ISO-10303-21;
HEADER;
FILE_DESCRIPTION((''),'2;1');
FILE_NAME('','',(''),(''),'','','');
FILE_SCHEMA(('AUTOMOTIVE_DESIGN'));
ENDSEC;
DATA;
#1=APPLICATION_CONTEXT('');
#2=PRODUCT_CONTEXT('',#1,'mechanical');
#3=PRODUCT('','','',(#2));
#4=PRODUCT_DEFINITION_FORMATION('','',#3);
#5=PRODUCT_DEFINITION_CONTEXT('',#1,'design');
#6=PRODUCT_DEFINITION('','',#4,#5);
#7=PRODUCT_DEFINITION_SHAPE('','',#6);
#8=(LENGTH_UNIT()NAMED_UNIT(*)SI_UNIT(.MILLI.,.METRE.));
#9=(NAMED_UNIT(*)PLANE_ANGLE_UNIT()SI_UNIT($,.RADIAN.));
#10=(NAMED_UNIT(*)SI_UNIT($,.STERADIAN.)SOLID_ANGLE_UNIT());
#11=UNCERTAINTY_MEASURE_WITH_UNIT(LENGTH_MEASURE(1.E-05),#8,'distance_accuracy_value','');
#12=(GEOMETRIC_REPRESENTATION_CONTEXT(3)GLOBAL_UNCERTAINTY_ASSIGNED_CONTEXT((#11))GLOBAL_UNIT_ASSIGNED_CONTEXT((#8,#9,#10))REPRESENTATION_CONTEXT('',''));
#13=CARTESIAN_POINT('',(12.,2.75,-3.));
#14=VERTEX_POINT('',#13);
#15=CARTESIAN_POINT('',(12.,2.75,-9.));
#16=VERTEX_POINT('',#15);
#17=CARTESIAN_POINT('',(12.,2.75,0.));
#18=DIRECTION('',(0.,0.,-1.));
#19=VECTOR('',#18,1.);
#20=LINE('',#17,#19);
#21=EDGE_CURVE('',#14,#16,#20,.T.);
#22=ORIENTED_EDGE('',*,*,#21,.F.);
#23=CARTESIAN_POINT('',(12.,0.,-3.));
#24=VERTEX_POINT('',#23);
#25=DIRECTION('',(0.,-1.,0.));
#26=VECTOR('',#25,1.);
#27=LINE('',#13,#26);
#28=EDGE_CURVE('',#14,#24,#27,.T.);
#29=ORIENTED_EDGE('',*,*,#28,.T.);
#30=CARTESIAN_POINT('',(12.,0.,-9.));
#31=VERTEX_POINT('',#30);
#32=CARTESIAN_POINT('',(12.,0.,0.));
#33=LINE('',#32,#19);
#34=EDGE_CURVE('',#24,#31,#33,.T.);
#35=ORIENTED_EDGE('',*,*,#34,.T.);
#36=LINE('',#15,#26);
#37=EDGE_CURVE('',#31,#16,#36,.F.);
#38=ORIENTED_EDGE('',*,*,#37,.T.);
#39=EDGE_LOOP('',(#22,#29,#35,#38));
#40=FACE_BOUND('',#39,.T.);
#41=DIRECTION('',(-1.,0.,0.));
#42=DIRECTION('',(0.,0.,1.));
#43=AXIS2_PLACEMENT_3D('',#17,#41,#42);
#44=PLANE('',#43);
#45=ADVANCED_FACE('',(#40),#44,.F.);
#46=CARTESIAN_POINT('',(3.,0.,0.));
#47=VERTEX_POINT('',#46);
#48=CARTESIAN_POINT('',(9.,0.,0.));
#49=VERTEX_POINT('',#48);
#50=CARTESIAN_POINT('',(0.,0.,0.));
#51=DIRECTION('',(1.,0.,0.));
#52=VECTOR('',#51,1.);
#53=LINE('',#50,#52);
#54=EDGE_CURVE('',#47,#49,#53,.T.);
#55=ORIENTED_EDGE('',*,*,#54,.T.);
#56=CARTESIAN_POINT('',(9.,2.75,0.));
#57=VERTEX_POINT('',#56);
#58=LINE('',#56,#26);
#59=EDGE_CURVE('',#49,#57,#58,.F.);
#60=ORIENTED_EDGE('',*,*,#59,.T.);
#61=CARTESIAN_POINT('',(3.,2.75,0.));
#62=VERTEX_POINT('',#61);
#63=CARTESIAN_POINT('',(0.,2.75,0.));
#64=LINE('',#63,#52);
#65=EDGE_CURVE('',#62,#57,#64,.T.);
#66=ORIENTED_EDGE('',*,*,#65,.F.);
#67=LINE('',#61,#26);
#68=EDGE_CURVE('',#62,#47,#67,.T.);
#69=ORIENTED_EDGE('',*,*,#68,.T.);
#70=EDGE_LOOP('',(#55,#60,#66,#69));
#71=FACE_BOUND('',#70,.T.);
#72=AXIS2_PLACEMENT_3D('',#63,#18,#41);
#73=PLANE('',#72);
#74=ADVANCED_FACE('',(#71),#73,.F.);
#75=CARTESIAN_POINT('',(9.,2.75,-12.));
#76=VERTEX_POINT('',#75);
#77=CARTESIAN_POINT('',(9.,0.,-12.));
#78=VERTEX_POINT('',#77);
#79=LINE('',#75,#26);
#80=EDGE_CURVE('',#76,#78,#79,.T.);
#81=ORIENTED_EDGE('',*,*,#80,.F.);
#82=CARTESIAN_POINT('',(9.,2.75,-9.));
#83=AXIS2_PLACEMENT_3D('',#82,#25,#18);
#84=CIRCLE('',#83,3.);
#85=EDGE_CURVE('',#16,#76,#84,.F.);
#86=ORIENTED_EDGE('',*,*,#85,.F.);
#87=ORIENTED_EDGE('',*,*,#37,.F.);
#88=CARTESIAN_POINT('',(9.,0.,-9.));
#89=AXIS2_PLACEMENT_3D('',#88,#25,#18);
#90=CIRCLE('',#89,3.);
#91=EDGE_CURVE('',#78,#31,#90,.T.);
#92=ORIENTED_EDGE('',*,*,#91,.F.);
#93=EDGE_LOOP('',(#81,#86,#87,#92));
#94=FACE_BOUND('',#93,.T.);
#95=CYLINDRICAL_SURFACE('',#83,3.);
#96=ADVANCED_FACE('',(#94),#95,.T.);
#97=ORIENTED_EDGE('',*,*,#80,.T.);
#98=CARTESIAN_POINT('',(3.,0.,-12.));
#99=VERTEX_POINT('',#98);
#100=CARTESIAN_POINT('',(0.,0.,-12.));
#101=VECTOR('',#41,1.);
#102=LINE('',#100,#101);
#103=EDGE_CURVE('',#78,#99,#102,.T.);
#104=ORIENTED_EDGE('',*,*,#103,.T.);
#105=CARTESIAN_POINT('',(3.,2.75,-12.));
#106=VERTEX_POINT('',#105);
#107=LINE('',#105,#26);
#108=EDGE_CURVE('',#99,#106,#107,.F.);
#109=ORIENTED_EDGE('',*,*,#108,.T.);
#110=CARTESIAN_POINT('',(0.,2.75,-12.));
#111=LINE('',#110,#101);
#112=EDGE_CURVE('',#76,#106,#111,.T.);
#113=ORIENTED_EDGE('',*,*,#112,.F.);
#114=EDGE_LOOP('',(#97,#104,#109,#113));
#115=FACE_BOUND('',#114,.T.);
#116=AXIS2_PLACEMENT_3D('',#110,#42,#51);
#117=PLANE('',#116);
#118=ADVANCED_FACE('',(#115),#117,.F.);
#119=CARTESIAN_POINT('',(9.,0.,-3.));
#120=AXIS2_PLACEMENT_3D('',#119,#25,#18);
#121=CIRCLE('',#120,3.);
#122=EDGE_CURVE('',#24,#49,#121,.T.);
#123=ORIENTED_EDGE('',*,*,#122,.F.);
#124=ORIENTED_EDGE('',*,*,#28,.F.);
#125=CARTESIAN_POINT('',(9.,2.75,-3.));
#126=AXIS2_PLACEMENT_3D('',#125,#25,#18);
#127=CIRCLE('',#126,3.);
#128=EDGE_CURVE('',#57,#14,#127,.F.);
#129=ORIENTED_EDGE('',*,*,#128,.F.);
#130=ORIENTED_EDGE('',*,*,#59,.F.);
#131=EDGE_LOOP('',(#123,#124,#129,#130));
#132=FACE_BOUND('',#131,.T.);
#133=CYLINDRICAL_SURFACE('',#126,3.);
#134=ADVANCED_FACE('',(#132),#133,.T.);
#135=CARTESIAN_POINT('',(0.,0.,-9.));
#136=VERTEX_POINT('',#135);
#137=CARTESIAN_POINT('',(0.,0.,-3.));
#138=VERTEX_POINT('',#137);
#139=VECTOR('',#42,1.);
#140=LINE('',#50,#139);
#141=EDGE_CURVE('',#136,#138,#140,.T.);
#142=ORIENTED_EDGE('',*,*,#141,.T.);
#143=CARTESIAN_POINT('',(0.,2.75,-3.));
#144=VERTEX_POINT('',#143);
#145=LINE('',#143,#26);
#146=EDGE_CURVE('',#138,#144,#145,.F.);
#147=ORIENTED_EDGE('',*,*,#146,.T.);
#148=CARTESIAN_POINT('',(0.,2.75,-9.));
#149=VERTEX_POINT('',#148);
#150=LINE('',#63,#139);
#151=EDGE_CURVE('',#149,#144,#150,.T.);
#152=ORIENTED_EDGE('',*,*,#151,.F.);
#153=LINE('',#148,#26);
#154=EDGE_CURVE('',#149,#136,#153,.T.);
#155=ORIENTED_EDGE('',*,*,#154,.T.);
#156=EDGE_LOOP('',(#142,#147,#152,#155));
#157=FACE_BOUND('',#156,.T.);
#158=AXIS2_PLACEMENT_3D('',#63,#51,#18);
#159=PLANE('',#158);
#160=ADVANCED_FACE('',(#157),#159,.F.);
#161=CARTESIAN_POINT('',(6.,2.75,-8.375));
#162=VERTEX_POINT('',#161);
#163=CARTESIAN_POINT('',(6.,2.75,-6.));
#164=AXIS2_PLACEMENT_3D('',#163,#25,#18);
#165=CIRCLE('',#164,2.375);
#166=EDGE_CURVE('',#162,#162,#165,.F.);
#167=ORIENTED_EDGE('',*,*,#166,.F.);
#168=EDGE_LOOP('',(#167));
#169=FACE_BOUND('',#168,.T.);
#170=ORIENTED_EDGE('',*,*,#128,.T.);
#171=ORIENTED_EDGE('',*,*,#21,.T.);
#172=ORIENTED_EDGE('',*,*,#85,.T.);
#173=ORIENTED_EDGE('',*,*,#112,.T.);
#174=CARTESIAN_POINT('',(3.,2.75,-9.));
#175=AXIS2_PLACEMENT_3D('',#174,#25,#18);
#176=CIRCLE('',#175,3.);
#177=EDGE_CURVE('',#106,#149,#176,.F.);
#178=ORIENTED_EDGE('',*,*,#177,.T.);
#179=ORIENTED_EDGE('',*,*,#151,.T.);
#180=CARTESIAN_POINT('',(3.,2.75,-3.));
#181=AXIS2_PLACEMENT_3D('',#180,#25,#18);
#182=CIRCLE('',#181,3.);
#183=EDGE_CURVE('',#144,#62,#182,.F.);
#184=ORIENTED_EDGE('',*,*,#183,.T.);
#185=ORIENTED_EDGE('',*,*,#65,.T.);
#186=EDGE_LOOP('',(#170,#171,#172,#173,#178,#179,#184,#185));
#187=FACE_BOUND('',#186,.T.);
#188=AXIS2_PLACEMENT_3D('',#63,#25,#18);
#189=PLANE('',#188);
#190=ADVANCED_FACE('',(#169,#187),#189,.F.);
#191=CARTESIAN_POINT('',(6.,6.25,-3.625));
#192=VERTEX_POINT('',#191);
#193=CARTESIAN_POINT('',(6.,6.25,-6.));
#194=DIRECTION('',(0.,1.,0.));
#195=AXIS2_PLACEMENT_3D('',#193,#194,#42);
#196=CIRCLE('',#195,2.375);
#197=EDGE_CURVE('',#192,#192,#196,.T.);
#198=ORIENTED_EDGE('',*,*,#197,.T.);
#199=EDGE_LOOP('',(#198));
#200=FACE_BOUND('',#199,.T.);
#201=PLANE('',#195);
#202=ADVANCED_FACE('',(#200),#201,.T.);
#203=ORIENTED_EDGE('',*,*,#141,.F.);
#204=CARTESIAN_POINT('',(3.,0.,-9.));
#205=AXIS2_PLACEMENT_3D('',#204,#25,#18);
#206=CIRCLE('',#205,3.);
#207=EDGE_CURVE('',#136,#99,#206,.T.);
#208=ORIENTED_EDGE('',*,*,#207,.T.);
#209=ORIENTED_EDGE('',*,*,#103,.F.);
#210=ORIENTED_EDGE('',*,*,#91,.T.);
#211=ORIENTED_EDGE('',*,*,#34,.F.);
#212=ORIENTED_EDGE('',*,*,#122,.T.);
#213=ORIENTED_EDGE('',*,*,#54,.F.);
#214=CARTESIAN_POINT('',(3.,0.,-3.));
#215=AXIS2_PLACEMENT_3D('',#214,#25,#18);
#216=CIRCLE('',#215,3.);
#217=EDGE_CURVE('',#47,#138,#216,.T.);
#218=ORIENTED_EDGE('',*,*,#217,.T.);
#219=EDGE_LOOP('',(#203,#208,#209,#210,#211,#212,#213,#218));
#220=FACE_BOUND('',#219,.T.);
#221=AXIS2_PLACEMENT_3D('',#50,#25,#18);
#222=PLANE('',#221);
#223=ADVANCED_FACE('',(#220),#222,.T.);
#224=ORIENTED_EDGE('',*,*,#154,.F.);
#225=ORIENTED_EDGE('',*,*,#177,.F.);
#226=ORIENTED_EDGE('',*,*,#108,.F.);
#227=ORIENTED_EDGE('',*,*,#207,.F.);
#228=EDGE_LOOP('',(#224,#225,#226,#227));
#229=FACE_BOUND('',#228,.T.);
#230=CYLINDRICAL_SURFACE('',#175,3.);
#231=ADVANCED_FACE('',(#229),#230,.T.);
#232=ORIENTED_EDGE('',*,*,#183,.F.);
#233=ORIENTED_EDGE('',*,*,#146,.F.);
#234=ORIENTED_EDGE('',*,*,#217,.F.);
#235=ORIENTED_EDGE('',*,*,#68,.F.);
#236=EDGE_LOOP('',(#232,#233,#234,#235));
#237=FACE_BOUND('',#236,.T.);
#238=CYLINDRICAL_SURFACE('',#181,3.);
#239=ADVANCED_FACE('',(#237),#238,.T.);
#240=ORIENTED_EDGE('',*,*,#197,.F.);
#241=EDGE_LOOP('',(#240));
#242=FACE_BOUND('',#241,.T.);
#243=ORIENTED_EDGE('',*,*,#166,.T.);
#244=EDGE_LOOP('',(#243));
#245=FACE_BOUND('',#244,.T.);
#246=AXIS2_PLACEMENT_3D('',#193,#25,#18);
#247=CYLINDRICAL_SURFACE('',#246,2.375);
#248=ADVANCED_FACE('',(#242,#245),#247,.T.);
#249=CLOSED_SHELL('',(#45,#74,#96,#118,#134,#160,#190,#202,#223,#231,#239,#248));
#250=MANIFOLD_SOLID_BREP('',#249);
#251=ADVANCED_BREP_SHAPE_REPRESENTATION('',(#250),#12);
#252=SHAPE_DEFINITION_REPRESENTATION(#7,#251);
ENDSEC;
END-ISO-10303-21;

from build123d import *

# Parameters (mm, degrees)
SKETCH1_W           = 12
SKETCH1_H           = 12
BOSS_EXTRUDE1_DEPTH = 2.75
SKETCH3_R           = 2.375
BOSS_EXTRUDE2_DEPTH = 3.5
FILLET1_R           = 3


with BuildPart() as part:
    # Sketch1 → Boss-Extrude1 (new body)
    with BuildSketch(Plane(origin=(0, 0, 0), x_dir=(1, 0, 0), z_dir=(0, 1, 0))):
        with Locations((6, 6)):
            Rectangle(SKETCH1_W, SKETCH1_H)
    extrude(amount=BOSS_EXTRUDE1_DEPTH)

    # Sketch3 → Boss-Extrude2 (add)
    with BuildSketch(Plane(origin=(0, 2.75, 0), x_dir=(1, 0, 0), z_dir=(0, 1, 0))):
        with Locations((6, 6)):
            Circle(SKETCH3_R)
    extrude(amount=BOSS_EXTRUDE2_DEPTH)

    # Fillet1
    fillet1_edges = [part.edges().sort_by_distance(p)[0] for p in [
        (0, 1.375, -12),
        (12, 1.375, -12),
        (12, 1.375, 0),
        (0, 1.375, 0),
    ]]
    fillet(fillet1_edges, radius=FILLET1_R)


solid = part.part
